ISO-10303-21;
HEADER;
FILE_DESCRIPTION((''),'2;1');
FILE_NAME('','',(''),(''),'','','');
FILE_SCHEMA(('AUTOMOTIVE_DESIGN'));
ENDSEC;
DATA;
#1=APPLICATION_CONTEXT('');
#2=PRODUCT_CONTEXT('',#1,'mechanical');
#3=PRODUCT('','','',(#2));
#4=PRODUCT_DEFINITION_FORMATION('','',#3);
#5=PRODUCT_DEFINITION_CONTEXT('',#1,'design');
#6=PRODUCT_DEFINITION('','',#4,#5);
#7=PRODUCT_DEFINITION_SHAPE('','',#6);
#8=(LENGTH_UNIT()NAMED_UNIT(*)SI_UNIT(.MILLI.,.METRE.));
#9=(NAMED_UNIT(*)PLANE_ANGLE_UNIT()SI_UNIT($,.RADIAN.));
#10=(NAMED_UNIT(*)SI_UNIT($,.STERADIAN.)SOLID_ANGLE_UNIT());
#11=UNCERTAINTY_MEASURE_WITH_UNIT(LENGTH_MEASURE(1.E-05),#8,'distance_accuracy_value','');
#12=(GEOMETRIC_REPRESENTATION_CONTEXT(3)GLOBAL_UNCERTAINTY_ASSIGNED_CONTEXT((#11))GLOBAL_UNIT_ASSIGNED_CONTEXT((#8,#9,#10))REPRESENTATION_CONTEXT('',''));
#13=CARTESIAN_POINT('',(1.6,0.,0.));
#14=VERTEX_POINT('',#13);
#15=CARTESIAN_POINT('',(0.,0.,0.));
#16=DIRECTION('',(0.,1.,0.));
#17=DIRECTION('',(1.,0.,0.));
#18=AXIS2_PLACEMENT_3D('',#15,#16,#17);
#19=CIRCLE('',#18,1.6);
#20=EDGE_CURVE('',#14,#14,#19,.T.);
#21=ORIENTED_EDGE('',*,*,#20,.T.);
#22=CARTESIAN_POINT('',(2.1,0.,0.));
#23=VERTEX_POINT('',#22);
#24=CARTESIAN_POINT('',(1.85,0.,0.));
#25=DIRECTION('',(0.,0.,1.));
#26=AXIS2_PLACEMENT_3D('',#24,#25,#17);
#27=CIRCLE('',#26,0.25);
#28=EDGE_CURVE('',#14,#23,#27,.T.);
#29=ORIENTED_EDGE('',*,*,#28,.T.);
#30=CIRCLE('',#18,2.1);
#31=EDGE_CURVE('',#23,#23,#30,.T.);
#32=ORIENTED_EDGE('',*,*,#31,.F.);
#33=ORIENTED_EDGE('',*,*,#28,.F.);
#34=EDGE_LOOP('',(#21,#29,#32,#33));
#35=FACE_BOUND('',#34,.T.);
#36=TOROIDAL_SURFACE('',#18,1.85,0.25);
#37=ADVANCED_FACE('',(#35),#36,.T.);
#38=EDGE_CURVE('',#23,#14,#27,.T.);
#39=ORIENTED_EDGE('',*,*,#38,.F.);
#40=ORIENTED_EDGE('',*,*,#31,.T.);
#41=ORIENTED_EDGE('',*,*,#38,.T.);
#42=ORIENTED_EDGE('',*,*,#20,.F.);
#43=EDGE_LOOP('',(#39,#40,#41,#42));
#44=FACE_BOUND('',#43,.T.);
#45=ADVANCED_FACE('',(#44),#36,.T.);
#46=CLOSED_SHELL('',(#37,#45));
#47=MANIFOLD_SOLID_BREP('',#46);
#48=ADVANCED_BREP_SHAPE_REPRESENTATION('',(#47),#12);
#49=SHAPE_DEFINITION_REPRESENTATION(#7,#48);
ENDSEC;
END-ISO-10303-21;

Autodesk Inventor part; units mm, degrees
ref_plane "YZ Plane" through (0, 0, 0) normal (1, 0, 0) x (0, 1, 0)
ref_plane "XY Plane" through (0, 0, 0) normal (0, 0, 1) x (1, 0, 0)
sketch "Sketch1" plane through (0, 0, 0) normal (0, 0, 1) x (1, 0, 0)
  circle A0 centre (1.85, 0) radius 0.25
  line L0 (0, -0.688) -> (0, 1.604)
  line L1 (1.6, 0) -> (0, 0)
  dimension "d3" = 0.5
  dimension "d4" = 1.85
  dimension "d7" = 1.6
revolve "Revolution1" add sketch "Sketch1" angle 360 about axis through (0, -0.688, 0) along (0, 1, 0)
ref_plane "Work Plane1" through (0, 0.25, 0) normal (0, 1, 0) x (-1, 0, 0)
properties part number "o_ring_4.29_0.5"
